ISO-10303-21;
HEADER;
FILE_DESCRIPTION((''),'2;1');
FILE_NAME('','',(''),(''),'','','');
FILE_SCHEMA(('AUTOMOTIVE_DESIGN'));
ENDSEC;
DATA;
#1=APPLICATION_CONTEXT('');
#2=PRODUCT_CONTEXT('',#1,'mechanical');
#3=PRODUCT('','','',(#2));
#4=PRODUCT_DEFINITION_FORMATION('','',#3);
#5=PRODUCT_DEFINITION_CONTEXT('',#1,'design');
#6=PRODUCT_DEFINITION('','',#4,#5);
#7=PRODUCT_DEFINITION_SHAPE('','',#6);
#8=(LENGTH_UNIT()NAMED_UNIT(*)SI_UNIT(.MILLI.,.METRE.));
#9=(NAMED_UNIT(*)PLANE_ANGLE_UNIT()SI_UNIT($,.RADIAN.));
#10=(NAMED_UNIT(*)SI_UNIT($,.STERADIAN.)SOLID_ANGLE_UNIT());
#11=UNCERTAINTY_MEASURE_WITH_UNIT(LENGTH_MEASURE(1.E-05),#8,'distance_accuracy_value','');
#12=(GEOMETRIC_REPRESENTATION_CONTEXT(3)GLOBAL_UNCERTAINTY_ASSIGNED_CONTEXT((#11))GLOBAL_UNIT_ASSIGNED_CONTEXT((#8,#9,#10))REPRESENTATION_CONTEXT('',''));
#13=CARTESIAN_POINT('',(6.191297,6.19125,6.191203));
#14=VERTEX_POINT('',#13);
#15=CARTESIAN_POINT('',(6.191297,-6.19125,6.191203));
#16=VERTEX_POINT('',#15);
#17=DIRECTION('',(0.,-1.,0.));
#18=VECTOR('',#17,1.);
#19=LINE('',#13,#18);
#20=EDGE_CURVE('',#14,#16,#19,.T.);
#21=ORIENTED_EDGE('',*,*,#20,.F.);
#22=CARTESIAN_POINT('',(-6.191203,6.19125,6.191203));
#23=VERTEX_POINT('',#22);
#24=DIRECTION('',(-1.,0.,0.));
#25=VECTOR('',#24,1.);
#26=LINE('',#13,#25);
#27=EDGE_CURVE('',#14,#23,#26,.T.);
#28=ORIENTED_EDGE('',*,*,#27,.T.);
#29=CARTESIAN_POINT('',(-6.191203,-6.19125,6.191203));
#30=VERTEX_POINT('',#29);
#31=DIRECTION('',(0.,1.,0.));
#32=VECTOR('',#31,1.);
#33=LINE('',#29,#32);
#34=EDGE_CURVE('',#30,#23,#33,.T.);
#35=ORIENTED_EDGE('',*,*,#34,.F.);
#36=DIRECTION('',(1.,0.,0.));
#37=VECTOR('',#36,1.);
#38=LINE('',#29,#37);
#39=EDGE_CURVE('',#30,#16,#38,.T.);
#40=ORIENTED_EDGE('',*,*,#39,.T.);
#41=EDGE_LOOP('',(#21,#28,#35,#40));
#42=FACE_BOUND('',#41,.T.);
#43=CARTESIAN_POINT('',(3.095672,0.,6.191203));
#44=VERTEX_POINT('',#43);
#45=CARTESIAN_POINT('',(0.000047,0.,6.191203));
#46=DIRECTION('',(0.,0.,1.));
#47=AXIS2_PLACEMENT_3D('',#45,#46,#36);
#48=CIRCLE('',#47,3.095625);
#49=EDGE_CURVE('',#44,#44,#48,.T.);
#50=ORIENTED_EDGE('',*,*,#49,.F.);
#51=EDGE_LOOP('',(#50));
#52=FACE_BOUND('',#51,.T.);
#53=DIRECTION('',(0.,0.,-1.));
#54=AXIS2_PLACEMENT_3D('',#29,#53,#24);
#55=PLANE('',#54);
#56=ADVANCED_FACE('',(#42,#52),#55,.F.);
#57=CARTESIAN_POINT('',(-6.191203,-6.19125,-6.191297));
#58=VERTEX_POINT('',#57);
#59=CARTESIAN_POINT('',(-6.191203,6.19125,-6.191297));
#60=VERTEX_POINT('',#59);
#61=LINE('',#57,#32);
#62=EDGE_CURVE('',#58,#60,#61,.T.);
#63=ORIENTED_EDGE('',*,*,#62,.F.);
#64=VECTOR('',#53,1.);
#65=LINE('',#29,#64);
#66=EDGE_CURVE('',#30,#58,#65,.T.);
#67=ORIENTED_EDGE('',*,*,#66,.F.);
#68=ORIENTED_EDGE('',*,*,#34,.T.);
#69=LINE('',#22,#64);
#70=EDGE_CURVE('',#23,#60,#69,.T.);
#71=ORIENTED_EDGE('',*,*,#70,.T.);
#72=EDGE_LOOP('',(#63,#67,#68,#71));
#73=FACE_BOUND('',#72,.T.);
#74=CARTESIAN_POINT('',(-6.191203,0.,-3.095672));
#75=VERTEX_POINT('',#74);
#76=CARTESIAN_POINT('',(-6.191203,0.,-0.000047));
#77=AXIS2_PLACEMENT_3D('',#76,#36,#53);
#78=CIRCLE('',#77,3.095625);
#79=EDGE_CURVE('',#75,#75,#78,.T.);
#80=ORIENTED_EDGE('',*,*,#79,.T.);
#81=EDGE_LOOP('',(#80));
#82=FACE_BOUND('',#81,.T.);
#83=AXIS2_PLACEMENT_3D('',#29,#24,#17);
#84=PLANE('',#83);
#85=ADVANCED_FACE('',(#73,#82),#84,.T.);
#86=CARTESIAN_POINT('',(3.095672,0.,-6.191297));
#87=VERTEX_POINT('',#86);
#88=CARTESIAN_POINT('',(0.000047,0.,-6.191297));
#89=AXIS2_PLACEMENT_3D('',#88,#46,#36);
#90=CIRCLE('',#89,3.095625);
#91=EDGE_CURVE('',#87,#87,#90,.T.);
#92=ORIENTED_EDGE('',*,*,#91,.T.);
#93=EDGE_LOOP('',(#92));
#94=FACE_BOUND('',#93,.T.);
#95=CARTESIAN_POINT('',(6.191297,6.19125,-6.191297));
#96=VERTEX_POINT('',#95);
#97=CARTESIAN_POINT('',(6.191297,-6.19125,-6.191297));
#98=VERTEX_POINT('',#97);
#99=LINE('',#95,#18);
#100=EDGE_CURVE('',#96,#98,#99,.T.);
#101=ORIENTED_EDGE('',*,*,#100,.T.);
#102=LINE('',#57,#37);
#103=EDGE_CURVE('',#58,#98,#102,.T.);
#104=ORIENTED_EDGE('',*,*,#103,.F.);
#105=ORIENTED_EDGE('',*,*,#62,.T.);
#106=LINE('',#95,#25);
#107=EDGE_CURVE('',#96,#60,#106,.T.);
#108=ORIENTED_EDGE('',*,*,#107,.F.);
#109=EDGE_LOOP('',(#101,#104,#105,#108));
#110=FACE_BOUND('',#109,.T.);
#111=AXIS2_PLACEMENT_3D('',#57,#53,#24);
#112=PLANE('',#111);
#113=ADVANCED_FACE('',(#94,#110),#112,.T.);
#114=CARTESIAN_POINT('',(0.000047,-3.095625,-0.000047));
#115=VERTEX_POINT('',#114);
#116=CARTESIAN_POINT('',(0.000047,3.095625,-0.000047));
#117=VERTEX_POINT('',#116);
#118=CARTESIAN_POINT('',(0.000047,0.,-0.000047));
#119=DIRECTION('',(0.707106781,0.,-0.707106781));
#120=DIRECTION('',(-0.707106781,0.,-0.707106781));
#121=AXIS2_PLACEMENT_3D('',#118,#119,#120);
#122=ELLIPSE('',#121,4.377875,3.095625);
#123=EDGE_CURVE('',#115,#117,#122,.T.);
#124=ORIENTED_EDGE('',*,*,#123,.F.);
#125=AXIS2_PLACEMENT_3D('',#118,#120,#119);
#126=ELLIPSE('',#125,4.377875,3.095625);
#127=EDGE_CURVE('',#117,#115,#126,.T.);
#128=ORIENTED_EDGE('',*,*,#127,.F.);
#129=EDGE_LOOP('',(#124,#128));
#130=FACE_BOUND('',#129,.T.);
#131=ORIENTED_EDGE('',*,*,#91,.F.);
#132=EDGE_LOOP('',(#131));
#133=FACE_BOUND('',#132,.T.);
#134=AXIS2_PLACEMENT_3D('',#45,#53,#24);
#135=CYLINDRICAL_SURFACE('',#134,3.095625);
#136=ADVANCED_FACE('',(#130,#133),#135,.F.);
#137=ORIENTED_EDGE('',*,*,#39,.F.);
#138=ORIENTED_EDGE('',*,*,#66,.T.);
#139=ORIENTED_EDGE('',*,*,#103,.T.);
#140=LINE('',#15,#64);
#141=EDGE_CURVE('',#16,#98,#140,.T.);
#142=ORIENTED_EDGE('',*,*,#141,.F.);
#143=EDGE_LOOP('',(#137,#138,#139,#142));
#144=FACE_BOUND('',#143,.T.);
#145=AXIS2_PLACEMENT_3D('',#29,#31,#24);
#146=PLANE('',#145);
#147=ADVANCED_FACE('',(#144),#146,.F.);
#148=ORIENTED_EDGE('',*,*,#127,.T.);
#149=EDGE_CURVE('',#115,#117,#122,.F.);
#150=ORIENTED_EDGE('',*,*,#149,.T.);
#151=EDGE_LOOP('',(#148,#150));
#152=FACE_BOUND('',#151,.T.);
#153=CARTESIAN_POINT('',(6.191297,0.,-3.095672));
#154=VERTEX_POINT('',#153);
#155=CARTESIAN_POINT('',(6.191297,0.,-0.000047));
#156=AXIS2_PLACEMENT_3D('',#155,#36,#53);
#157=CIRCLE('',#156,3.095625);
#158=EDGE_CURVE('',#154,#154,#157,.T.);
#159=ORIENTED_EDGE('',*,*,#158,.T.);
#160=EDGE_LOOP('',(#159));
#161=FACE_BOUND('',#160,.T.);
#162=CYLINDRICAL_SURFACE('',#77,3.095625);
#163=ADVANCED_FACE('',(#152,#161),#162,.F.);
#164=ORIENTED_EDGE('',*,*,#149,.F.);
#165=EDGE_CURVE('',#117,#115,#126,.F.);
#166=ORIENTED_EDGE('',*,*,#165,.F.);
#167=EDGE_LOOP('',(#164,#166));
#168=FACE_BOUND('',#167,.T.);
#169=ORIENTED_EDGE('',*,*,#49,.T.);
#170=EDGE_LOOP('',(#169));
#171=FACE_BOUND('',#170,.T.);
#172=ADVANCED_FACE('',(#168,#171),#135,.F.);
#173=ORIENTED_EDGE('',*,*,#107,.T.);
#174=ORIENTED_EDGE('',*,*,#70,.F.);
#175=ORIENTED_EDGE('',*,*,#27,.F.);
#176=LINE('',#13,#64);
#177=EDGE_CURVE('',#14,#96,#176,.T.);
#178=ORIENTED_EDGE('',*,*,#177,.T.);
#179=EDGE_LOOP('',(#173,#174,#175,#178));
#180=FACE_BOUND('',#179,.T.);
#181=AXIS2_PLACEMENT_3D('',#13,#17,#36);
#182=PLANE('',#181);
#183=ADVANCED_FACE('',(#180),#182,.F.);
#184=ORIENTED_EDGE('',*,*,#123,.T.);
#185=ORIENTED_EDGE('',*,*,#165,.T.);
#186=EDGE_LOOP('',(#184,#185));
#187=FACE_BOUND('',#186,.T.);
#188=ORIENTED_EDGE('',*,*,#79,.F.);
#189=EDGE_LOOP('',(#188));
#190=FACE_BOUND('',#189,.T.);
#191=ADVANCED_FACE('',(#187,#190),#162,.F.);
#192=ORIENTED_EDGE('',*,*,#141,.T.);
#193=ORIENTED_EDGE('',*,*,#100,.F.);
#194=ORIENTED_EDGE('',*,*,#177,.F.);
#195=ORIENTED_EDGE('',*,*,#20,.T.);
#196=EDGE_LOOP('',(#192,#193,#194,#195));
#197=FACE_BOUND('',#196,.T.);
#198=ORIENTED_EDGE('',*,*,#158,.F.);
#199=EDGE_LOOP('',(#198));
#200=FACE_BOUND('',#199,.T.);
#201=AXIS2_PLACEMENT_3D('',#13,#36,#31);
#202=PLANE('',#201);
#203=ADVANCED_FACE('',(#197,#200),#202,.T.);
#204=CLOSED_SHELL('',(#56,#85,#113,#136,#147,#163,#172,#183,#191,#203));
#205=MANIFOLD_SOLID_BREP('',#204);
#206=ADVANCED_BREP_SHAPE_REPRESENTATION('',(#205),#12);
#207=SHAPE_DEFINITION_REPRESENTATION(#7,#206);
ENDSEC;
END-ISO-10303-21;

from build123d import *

# Parameters (mm, degrees)
SKETCH1_W          = 19.05
SKETCH1_H          = 19.05
SKETCH1_R          = 4.7625
BASE_EXTRUDE_DEPTH = 9.525
SKETCH3_R          = 4.7625
CUT_EXTRUDE1_DEPTH = 24.3313898
SCALE1_SCALE       = 0.65


with BuildPart() as part:
    # Sketch1 → Base-Extrude (new, symmetric)
    with BuildSketch(Plane.XY):
        Rectangle(SKETCH1_W, SKETCH1_H)
        with Locations(Location((0, 0, 0), (0, 0, 180))):
            Circle(SKETCH1_R, mode=Mode.SUBTRACT)
    extrude(amount=BASE_EXTRUDE_DEPTH, both=True)

    # Sketch3 → Cut-Extrude1 (cut, through all)
    with BuildSketch(Plane(origin=(9.525, 0, 0), x_dir=(0, 0, -1), z_dir=(1, 0, 0))):
        Circle(SKETCH3_R)
    extrude(amount=-CUT_EXTRUDE1_DEPTH, mode=Mode.SUBTRACT)


with BuildPart() as part_1:
    # Scale1: scaled about (0, 0, 0)
    add(part.part.scale(SCALE1_SCALE))


solid = part_1.part
